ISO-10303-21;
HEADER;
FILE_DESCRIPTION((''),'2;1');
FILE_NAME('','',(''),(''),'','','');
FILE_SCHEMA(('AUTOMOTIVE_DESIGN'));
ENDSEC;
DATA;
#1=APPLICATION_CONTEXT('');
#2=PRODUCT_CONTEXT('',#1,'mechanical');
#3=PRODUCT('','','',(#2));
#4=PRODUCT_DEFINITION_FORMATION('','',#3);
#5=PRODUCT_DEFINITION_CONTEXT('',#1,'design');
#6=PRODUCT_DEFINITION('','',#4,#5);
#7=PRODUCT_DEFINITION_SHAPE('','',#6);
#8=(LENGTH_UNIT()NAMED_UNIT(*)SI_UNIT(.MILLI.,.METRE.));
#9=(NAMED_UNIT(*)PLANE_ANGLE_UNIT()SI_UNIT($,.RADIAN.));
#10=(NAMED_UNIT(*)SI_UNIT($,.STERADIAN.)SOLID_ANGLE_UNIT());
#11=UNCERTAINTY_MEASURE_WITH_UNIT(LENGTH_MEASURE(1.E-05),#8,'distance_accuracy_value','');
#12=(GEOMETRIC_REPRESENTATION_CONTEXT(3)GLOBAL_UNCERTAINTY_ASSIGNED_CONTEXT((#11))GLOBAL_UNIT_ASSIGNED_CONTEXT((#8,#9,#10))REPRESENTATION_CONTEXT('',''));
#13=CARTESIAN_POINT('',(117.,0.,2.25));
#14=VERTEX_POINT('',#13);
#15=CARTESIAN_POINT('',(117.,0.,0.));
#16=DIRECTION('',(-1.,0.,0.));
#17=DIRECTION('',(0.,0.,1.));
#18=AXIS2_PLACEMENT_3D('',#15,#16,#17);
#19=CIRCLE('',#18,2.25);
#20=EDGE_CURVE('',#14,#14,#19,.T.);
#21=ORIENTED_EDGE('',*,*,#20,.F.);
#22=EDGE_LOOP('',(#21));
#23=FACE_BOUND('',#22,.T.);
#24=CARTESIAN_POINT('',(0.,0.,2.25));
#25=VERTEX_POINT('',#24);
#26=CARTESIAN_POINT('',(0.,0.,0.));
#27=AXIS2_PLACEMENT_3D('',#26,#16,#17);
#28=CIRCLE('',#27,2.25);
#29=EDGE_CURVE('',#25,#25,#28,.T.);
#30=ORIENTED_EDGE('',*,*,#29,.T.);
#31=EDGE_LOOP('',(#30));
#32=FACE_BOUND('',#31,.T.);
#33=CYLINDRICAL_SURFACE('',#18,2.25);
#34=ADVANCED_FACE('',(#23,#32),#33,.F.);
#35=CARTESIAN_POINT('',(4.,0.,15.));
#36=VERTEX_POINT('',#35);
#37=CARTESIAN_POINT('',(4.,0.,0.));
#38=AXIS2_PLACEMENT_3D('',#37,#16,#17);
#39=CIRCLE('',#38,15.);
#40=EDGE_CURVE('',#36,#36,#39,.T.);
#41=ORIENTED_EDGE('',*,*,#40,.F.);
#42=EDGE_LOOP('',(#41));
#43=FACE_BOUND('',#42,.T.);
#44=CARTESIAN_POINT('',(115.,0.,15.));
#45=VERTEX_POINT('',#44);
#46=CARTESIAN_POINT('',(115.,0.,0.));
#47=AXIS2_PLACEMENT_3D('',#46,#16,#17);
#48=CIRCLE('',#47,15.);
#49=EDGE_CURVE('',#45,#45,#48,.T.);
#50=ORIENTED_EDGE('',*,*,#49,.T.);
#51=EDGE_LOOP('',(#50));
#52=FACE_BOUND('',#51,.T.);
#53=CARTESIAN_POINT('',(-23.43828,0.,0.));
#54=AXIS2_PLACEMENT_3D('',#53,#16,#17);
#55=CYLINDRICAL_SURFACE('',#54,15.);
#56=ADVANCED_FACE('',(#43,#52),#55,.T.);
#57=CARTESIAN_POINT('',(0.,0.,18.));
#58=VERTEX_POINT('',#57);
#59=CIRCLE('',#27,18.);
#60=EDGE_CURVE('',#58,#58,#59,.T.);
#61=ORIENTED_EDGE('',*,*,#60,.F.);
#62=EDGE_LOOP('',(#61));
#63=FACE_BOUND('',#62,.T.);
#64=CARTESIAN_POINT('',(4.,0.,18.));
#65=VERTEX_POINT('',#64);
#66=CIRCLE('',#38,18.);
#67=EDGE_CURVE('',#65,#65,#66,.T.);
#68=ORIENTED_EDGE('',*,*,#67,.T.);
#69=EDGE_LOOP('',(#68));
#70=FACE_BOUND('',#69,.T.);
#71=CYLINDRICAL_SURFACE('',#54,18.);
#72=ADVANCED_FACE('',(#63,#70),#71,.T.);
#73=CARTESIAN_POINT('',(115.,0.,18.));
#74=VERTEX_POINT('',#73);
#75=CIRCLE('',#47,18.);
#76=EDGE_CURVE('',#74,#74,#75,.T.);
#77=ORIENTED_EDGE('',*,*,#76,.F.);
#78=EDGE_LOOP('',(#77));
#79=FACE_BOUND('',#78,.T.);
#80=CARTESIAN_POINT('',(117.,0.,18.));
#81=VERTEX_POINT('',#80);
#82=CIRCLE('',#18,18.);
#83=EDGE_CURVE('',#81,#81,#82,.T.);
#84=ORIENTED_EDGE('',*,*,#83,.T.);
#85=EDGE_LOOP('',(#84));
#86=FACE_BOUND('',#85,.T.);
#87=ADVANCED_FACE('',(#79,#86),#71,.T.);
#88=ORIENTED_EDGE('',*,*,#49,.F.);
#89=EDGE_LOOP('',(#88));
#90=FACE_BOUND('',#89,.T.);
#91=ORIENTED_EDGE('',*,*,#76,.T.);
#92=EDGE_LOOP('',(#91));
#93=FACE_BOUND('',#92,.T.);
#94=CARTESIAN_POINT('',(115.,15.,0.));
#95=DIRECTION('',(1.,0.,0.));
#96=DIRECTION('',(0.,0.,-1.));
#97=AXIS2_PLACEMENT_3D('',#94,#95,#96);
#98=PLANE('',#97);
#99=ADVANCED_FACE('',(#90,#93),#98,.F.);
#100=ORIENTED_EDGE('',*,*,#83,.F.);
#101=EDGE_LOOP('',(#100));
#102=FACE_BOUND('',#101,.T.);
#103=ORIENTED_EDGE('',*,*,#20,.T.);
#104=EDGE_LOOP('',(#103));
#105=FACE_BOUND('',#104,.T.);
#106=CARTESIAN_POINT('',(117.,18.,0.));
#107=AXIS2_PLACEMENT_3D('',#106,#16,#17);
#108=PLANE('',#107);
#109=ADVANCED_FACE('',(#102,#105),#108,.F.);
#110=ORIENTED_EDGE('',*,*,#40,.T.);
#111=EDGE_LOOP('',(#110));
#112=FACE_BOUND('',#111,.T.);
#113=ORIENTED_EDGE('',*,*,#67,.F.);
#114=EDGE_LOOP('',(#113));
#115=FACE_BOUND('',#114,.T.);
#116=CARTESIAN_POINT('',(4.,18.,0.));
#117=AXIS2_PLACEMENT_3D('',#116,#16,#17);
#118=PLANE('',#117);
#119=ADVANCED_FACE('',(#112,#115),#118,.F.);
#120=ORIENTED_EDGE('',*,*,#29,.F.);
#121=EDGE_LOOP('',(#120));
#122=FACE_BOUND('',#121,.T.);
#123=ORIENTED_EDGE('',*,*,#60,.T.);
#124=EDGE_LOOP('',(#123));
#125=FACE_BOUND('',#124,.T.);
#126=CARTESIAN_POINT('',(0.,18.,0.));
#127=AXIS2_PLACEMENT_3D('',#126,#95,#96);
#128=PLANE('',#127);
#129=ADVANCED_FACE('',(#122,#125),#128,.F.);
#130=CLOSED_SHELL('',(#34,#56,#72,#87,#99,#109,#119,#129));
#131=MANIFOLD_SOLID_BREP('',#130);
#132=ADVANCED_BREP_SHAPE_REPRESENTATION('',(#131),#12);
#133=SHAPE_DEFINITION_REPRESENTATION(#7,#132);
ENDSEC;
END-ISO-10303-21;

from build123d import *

# Parameters (mm, degrees)
ESQUISSE4_R             = 2.25
ENL_V_MAT_EXTRU_2_DEPTH = 120.737212261


with BuildPart() as part:
    # Esquisse2 → Révolution1 (revolve)
    with BuildSketch(Plane.XY, mode=Mode.PRIVATE) as r_volution1_sk:
        Polygon((4, 18), (0, 18), (0, 0), (117, 0), (117, 18), (115, 18), (115, 15), (4, 15), align=None)
    revolve(r_volution1_sk.sketch.rotate(Axis((-23.43828007, 0, 0), (1, 0, 0)), 90), axis=Axis((-23.43828007, 0, 0), (1, 0, 0)))

    # Esquisse4 → Enlèv. mat.-Extru.2 (cut, through all)
    with BuildSketch(Plane.ZY):
        Circle(ESQUISSE4_R)
    extrude(amount=-ENL_V_MAT_EXTRU_2_DEPTH, mode=Mode.SUBTRACT)


solid = part.part
